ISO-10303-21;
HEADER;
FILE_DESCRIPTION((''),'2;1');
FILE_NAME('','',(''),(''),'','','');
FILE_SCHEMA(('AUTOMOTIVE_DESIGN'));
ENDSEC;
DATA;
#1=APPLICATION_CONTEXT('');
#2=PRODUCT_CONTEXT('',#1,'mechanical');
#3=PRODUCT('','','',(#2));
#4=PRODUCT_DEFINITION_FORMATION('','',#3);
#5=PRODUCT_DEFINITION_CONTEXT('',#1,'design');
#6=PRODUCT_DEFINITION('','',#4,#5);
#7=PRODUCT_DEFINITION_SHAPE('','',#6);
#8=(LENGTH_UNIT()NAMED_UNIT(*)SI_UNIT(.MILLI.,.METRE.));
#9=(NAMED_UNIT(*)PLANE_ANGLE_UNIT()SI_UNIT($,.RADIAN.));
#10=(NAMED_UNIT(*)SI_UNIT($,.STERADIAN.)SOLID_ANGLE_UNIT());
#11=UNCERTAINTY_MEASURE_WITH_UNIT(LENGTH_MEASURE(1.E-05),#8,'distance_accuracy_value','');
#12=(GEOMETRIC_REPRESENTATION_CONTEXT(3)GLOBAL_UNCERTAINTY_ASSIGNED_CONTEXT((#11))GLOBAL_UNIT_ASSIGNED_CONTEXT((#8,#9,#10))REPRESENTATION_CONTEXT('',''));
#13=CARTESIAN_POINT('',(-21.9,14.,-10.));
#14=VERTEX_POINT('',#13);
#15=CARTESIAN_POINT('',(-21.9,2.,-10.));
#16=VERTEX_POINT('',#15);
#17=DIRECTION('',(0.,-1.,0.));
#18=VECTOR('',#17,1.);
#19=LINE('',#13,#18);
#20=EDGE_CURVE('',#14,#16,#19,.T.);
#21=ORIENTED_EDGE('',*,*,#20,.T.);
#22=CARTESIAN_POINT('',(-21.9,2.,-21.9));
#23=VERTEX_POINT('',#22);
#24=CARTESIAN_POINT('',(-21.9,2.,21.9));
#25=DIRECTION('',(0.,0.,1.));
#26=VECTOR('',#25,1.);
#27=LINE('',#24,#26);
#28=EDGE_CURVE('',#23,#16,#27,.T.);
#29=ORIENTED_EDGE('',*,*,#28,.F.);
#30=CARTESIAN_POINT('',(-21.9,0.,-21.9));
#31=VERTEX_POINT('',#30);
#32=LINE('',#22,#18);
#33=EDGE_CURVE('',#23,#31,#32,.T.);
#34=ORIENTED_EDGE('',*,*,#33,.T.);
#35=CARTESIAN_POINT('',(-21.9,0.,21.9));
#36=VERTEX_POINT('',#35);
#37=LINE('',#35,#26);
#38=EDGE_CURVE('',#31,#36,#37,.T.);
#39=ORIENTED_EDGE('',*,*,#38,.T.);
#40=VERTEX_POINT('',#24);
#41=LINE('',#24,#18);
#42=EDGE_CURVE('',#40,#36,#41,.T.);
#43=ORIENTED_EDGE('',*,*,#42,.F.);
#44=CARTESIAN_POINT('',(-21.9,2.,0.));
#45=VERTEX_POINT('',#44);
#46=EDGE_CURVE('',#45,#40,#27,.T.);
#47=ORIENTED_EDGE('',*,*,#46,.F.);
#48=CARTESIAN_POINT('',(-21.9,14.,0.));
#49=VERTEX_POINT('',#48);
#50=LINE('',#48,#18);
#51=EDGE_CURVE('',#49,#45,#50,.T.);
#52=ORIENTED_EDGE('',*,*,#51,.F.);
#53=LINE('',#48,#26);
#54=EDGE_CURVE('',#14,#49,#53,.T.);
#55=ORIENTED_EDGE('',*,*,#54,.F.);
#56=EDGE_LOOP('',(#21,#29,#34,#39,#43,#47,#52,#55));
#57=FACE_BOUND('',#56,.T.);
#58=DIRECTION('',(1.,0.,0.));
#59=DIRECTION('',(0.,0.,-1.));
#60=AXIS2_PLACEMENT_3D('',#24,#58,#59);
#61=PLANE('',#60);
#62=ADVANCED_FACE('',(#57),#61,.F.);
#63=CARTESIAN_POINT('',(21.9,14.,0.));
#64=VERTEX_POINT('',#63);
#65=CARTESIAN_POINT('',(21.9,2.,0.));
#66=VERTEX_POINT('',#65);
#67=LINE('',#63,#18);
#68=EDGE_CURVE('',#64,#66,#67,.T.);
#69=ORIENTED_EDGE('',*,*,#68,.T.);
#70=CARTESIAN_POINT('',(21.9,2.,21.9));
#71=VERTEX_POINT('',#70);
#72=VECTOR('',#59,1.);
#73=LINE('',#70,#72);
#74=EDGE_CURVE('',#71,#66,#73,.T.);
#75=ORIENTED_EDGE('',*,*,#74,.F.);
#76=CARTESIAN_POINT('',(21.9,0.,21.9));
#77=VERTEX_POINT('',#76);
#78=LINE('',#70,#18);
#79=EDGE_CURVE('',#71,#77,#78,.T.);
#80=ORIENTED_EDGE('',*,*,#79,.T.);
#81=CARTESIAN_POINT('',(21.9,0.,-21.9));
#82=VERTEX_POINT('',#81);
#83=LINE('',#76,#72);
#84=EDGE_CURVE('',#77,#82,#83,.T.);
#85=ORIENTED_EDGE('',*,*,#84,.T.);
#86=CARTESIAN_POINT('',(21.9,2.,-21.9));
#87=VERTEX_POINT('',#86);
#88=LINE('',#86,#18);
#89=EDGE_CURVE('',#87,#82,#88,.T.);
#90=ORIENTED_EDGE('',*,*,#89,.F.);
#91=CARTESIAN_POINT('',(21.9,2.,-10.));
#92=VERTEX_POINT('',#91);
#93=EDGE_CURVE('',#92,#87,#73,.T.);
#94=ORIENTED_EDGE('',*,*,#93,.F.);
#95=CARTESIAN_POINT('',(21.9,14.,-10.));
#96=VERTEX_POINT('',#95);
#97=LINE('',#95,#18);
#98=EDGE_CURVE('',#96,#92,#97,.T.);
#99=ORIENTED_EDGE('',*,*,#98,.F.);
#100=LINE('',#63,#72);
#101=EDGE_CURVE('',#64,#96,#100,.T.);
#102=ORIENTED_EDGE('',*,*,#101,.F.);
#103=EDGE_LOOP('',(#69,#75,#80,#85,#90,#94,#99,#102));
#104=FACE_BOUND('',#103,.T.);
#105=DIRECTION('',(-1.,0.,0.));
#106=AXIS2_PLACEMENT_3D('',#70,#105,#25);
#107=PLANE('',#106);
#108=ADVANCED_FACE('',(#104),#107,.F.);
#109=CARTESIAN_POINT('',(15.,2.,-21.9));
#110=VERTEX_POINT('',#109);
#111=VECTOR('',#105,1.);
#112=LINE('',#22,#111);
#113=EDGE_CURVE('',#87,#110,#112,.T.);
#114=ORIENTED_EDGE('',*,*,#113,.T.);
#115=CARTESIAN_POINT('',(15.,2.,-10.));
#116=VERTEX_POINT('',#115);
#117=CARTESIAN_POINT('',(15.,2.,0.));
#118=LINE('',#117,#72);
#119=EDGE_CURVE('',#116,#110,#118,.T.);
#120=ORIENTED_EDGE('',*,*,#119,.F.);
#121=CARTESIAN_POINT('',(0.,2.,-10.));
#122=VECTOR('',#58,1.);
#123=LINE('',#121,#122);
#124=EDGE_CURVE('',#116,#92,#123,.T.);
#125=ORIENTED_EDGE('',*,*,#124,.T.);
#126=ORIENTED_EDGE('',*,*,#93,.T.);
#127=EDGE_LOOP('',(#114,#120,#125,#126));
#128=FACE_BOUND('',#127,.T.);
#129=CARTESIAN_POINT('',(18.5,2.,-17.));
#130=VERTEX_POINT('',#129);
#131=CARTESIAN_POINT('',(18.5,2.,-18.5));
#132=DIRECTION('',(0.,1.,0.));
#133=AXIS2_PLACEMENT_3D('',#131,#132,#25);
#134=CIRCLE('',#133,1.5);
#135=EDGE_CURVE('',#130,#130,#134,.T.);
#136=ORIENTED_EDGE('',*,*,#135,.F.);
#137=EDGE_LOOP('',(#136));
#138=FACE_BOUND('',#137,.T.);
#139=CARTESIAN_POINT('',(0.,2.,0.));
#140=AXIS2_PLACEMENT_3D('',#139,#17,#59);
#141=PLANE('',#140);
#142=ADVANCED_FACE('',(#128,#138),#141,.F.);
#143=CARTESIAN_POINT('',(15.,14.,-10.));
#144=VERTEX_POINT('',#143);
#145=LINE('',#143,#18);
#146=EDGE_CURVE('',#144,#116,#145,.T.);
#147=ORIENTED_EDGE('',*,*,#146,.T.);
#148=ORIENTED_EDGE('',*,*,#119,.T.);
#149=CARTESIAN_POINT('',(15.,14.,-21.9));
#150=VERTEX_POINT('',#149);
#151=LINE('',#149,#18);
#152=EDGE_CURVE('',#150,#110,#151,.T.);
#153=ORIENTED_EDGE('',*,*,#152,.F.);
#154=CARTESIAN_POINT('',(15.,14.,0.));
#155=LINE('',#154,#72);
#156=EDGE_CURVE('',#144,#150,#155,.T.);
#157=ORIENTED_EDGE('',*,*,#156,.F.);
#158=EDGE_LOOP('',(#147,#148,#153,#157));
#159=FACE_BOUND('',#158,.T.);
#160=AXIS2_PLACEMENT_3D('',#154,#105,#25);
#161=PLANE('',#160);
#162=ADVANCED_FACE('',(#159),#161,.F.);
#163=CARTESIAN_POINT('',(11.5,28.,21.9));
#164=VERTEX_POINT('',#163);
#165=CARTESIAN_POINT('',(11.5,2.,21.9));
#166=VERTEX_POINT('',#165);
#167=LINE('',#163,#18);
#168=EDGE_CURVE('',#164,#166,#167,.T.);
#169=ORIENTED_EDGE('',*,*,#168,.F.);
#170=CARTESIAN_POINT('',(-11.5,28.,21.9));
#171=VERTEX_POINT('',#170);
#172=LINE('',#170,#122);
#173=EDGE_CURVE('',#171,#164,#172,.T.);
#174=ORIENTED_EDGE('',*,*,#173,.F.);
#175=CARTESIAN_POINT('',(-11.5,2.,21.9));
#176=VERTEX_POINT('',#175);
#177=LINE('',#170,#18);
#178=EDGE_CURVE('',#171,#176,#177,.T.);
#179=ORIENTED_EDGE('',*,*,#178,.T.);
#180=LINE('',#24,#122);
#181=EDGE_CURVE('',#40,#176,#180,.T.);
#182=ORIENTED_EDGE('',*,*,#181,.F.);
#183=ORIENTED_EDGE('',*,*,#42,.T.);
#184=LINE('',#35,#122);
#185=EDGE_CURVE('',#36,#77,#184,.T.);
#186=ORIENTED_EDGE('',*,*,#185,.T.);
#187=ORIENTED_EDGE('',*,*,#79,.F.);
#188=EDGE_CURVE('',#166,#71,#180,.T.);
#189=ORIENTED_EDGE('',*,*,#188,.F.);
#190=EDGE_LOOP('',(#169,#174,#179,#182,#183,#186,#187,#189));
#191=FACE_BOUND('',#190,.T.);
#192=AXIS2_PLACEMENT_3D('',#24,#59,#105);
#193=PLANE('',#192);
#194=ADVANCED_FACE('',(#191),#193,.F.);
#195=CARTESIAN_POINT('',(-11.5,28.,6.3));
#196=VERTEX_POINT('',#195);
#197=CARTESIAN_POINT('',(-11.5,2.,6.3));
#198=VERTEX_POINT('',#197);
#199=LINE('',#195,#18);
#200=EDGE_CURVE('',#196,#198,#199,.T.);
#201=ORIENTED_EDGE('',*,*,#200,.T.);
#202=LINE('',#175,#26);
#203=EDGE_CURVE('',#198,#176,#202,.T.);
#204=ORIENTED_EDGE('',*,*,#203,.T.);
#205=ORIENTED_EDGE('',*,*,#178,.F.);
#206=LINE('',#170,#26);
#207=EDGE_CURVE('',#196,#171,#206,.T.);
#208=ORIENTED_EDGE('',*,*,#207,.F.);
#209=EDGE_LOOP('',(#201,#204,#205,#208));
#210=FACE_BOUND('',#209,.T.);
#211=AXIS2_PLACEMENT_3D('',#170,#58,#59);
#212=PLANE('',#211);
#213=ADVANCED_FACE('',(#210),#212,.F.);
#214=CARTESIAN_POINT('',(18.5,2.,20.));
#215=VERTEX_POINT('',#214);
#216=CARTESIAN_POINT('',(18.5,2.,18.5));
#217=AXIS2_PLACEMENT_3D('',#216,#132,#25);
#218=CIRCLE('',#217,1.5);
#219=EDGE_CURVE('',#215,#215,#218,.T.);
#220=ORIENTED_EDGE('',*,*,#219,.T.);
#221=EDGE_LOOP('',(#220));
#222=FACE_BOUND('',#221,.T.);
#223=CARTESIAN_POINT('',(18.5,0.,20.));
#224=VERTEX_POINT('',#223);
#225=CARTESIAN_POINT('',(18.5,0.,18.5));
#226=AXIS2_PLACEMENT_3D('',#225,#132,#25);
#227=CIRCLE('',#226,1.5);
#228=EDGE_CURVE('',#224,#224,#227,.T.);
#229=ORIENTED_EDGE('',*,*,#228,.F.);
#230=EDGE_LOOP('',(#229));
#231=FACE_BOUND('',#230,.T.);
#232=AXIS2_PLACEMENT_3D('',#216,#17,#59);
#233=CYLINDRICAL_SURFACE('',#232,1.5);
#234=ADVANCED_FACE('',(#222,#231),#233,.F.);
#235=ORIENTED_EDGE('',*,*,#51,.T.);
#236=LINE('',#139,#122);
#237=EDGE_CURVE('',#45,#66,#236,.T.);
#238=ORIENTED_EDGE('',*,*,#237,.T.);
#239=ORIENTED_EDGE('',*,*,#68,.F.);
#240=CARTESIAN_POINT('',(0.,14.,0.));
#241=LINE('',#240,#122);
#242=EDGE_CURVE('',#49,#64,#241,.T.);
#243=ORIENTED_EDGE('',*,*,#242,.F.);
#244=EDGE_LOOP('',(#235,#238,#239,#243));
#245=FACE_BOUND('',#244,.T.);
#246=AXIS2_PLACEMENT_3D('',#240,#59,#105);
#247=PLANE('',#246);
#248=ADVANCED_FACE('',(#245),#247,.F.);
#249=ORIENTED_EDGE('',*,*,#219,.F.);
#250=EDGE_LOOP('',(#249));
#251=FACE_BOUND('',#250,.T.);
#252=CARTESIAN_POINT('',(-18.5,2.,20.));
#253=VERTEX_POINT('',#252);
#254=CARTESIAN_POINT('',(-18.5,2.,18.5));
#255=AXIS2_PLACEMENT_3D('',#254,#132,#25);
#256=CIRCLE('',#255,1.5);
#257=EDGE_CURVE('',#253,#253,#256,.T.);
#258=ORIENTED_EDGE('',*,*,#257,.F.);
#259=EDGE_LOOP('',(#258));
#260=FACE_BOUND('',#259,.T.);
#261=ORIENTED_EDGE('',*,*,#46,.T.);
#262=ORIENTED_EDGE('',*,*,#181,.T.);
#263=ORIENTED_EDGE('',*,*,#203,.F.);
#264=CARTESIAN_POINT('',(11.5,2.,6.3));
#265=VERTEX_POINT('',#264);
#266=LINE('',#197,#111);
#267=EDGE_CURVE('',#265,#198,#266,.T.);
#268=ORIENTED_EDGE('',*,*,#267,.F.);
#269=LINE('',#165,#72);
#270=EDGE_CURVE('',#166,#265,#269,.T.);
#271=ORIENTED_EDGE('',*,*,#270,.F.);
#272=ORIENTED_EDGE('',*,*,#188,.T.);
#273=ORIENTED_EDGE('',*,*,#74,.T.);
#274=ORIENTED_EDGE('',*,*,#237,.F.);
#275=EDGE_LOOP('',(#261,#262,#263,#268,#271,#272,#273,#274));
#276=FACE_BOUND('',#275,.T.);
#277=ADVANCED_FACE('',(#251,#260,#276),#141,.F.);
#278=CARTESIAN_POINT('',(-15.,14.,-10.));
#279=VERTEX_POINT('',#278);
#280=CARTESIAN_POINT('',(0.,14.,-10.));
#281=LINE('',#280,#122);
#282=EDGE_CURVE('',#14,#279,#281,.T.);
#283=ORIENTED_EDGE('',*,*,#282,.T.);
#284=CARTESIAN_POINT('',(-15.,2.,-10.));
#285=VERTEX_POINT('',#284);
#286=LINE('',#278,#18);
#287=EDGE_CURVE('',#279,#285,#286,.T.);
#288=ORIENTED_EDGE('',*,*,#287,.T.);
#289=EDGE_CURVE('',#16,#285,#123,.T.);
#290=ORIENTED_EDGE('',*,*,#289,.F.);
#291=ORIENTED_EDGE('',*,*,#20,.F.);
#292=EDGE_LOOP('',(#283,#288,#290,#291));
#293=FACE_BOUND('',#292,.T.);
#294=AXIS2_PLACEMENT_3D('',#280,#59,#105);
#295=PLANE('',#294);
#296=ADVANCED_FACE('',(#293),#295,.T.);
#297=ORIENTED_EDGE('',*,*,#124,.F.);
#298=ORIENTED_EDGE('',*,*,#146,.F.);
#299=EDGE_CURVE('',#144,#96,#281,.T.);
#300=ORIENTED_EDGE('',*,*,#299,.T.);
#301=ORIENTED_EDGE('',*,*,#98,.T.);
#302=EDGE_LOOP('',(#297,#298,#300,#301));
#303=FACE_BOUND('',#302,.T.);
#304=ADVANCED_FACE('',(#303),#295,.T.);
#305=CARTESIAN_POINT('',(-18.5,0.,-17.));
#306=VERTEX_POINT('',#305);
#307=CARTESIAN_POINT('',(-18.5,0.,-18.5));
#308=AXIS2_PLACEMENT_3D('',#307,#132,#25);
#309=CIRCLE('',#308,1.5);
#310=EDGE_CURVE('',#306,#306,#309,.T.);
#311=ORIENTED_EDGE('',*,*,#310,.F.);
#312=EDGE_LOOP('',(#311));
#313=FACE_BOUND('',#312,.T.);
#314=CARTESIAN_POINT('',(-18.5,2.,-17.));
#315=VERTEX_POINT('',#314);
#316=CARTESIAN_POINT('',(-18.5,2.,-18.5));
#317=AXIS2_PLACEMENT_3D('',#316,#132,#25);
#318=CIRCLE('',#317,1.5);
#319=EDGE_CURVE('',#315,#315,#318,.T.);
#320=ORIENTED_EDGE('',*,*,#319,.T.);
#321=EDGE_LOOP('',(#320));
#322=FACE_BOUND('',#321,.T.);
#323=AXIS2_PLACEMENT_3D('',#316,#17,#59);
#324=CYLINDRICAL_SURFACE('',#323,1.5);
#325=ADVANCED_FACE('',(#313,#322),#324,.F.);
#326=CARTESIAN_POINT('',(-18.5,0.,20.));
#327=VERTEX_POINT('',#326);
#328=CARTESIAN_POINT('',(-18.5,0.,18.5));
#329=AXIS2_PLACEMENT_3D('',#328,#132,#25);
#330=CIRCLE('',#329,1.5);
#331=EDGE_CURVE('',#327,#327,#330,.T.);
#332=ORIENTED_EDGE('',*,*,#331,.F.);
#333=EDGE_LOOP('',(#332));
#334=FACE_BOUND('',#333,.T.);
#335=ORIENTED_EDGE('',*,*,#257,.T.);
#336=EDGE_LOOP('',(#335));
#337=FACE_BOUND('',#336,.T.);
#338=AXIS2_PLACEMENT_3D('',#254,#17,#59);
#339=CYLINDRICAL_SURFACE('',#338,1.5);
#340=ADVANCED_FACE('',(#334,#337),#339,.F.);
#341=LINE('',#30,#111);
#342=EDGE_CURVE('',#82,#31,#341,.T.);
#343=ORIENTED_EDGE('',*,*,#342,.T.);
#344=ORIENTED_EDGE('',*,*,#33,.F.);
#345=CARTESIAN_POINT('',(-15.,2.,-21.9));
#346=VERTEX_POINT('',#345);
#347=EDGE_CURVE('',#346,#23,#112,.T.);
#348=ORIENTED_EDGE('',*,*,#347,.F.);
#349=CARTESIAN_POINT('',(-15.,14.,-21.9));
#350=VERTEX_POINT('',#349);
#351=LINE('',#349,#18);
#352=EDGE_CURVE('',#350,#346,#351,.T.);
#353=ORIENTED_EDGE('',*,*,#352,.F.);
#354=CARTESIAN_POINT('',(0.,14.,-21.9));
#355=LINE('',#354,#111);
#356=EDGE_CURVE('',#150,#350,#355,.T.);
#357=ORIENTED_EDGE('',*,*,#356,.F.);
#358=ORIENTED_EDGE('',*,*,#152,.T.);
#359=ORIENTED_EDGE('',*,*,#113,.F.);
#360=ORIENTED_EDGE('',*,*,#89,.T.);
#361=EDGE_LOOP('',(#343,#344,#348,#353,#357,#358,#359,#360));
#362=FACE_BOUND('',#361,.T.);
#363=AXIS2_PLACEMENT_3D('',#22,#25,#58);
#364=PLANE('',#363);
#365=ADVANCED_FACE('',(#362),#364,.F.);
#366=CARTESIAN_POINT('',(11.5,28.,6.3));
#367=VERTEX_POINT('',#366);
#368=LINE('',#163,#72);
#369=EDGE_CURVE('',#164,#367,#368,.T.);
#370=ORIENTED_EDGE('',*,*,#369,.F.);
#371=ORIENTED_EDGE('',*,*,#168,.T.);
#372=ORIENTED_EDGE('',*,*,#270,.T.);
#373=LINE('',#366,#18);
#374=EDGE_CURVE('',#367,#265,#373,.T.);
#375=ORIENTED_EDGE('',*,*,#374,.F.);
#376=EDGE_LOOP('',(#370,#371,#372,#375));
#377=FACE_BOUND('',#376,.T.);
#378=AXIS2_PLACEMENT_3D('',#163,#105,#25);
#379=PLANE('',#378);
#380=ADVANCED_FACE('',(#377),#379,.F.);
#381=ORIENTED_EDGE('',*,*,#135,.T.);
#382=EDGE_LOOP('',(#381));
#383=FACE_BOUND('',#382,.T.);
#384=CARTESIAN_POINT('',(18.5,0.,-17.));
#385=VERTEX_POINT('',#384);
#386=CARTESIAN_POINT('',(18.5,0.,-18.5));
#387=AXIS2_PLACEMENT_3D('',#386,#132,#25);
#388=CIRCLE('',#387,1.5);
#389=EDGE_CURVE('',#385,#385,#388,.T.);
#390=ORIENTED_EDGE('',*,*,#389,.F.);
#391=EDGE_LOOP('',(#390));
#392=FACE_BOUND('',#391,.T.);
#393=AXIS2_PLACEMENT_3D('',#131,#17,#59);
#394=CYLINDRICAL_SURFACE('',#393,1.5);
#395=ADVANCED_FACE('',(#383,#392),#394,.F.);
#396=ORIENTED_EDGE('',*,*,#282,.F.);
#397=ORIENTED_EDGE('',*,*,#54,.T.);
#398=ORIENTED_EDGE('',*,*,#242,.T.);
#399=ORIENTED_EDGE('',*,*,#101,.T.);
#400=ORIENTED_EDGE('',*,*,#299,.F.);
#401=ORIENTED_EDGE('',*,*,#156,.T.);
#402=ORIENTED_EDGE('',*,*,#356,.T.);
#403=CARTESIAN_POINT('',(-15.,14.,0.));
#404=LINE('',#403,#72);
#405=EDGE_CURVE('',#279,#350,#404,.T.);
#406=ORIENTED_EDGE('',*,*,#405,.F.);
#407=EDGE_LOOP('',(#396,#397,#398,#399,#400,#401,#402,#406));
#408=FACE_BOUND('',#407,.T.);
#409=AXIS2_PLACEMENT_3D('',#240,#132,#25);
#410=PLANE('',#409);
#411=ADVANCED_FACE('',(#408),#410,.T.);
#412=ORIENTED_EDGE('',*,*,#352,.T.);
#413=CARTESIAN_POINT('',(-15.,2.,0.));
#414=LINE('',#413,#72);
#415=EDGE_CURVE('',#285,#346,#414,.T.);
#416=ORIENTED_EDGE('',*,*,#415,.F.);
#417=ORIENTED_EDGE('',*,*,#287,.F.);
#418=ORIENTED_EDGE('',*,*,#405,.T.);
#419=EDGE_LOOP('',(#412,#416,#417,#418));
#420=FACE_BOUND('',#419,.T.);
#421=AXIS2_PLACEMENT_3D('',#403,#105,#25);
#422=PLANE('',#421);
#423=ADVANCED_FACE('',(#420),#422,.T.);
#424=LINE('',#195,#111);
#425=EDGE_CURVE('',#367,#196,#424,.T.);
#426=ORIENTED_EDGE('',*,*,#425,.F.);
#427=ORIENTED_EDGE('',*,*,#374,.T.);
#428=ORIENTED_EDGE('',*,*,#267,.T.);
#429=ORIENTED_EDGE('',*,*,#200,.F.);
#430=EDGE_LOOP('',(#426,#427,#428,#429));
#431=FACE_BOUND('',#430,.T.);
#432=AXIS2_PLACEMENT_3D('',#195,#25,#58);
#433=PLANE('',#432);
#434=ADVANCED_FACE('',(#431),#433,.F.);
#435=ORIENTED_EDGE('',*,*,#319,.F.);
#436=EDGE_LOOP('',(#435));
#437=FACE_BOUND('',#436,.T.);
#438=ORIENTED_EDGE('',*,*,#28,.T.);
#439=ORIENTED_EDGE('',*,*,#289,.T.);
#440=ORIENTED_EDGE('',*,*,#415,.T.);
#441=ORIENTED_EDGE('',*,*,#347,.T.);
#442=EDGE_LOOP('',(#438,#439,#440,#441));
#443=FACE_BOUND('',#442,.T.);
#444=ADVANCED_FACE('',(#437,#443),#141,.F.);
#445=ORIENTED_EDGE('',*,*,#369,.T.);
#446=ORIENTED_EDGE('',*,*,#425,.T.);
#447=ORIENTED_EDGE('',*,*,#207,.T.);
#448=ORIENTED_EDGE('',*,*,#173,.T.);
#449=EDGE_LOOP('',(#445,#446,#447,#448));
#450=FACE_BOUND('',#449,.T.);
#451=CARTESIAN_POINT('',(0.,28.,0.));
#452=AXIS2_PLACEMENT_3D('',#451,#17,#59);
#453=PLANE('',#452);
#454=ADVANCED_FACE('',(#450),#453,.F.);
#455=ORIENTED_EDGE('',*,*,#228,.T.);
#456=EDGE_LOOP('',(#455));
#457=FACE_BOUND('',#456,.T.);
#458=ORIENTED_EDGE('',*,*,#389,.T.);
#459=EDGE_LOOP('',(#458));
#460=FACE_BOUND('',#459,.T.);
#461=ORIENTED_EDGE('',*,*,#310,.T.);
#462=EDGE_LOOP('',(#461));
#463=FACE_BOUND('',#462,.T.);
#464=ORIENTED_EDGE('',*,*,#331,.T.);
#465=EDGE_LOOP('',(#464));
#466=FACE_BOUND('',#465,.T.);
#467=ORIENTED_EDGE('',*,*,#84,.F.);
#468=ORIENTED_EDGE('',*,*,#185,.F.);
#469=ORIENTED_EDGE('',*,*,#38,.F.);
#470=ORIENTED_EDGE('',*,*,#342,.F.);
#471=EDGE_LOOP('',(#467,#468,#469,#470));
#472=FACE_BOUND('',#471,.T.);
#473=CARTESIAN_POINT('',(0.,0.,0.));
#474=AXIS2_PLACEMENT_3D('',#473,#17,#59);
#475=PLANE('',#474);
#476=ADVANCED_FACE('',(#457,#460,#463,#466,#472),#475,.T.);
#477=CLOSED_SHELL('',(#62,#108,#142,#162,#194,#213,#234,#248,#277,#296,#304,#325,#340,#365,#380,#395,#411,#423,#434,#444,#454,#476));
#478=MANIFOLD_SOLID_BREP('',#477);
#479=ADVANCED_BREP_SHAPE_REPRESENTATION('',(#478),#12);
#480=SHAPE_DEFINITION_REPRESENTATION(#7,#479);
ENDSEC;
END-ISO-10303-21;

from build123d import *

# Parameters (mm, degrees)
ESBO_O1_W                = 43.8
ESBO_O1_H                = 43.8
ESBO_O1_R                = 1.5
RESSALTO_EXTRUS_O1_DEPTH = 2
ESBO_O2_W                = 23
ESBO_O2_H                = 15.6
RESSALTO_EXTRUS_O2_DEPTH = 26
ESBO_O3_W                = 6.9
ESBO_O3_H                = 10
ESBO_O3_W_2              = 30
ESBO_O3_H_2              = 11.9
RESSALTO_EXTRUS_O3_DEPTH = 12


with BuildPart() as part:
    # Esboço1 → Ressalto-extrusão1 (new body)
    with BuildSketch(Plane(origin=(0, 0, 0), x_dir=(1, 0, 0), z_dir=(0, 1, 0))):
        Rectangle(ESBO_O1_W, ESBO_O1_H)
        with Locations(Location((18.5, 18.5, 0), (0, 0, 270))):
            Circle(ESBO_O1_R, mode=Mode.SUBTRACT)
        with Locations(Location((-18.5, 18.5, 0), (0, 0, 270))):
            Circle(ESBO_O1_R, mode=Mode.SUBTRACT)
        with Locations(Location((18.5, -18.5, 0), (0, 0, 270))):
            Circle(ESBO_O1_R, mode=Mode.SUBTRACT)
        with Locations(Location((-18.5, -18.5, 0), (0, 0, 270))):
            Circle(ESBO_O1_R, mode=Mode.SUBTRACT)
    extrude(amount=RESSALTO_EXTRUS_O1_DEPTH)

    # Esboço2 → Ressalto-extrusão2 (add)
    with BuildSketch(Plane(origin=(0, 2, 0), x_dir=(1, 0, 0), z_dir=(0, 1, 0))):
        with Locations((0, -14.1)):
            Rectangle(ESBO_O2_W, ESBO_O2_H)
    extrude(amount=RESSALTO_EXTRUS_O2_DEPTH)

    # Esboço3 → Ressalto-extrusão3 (add)
    with BuildSketch(Plane(origin=(0, 2, 0), x_dir=(1, 0, 0), z_dir=(0, 1, 0))):
        with Locations((-18.45, 5)):
            Rectangle(ESBO_O3_W, ESBO_O3_H)
        with Locations((18.45, 5)):
            Rectangle(ESBO_O3_W, ESBO_O3_H)
        with Locations((0, 15.95)):
            Rectangle(ESBO_O3_W_2, ESBO_O3_H_2)
        with Locations((0, 5)):
            Rectangle(ESBO_O3_W_2, ESBO_O3_H)
    extrude(amount=RESSALTO_EXTRUS_O3_DEPTH)


solid = part.part
